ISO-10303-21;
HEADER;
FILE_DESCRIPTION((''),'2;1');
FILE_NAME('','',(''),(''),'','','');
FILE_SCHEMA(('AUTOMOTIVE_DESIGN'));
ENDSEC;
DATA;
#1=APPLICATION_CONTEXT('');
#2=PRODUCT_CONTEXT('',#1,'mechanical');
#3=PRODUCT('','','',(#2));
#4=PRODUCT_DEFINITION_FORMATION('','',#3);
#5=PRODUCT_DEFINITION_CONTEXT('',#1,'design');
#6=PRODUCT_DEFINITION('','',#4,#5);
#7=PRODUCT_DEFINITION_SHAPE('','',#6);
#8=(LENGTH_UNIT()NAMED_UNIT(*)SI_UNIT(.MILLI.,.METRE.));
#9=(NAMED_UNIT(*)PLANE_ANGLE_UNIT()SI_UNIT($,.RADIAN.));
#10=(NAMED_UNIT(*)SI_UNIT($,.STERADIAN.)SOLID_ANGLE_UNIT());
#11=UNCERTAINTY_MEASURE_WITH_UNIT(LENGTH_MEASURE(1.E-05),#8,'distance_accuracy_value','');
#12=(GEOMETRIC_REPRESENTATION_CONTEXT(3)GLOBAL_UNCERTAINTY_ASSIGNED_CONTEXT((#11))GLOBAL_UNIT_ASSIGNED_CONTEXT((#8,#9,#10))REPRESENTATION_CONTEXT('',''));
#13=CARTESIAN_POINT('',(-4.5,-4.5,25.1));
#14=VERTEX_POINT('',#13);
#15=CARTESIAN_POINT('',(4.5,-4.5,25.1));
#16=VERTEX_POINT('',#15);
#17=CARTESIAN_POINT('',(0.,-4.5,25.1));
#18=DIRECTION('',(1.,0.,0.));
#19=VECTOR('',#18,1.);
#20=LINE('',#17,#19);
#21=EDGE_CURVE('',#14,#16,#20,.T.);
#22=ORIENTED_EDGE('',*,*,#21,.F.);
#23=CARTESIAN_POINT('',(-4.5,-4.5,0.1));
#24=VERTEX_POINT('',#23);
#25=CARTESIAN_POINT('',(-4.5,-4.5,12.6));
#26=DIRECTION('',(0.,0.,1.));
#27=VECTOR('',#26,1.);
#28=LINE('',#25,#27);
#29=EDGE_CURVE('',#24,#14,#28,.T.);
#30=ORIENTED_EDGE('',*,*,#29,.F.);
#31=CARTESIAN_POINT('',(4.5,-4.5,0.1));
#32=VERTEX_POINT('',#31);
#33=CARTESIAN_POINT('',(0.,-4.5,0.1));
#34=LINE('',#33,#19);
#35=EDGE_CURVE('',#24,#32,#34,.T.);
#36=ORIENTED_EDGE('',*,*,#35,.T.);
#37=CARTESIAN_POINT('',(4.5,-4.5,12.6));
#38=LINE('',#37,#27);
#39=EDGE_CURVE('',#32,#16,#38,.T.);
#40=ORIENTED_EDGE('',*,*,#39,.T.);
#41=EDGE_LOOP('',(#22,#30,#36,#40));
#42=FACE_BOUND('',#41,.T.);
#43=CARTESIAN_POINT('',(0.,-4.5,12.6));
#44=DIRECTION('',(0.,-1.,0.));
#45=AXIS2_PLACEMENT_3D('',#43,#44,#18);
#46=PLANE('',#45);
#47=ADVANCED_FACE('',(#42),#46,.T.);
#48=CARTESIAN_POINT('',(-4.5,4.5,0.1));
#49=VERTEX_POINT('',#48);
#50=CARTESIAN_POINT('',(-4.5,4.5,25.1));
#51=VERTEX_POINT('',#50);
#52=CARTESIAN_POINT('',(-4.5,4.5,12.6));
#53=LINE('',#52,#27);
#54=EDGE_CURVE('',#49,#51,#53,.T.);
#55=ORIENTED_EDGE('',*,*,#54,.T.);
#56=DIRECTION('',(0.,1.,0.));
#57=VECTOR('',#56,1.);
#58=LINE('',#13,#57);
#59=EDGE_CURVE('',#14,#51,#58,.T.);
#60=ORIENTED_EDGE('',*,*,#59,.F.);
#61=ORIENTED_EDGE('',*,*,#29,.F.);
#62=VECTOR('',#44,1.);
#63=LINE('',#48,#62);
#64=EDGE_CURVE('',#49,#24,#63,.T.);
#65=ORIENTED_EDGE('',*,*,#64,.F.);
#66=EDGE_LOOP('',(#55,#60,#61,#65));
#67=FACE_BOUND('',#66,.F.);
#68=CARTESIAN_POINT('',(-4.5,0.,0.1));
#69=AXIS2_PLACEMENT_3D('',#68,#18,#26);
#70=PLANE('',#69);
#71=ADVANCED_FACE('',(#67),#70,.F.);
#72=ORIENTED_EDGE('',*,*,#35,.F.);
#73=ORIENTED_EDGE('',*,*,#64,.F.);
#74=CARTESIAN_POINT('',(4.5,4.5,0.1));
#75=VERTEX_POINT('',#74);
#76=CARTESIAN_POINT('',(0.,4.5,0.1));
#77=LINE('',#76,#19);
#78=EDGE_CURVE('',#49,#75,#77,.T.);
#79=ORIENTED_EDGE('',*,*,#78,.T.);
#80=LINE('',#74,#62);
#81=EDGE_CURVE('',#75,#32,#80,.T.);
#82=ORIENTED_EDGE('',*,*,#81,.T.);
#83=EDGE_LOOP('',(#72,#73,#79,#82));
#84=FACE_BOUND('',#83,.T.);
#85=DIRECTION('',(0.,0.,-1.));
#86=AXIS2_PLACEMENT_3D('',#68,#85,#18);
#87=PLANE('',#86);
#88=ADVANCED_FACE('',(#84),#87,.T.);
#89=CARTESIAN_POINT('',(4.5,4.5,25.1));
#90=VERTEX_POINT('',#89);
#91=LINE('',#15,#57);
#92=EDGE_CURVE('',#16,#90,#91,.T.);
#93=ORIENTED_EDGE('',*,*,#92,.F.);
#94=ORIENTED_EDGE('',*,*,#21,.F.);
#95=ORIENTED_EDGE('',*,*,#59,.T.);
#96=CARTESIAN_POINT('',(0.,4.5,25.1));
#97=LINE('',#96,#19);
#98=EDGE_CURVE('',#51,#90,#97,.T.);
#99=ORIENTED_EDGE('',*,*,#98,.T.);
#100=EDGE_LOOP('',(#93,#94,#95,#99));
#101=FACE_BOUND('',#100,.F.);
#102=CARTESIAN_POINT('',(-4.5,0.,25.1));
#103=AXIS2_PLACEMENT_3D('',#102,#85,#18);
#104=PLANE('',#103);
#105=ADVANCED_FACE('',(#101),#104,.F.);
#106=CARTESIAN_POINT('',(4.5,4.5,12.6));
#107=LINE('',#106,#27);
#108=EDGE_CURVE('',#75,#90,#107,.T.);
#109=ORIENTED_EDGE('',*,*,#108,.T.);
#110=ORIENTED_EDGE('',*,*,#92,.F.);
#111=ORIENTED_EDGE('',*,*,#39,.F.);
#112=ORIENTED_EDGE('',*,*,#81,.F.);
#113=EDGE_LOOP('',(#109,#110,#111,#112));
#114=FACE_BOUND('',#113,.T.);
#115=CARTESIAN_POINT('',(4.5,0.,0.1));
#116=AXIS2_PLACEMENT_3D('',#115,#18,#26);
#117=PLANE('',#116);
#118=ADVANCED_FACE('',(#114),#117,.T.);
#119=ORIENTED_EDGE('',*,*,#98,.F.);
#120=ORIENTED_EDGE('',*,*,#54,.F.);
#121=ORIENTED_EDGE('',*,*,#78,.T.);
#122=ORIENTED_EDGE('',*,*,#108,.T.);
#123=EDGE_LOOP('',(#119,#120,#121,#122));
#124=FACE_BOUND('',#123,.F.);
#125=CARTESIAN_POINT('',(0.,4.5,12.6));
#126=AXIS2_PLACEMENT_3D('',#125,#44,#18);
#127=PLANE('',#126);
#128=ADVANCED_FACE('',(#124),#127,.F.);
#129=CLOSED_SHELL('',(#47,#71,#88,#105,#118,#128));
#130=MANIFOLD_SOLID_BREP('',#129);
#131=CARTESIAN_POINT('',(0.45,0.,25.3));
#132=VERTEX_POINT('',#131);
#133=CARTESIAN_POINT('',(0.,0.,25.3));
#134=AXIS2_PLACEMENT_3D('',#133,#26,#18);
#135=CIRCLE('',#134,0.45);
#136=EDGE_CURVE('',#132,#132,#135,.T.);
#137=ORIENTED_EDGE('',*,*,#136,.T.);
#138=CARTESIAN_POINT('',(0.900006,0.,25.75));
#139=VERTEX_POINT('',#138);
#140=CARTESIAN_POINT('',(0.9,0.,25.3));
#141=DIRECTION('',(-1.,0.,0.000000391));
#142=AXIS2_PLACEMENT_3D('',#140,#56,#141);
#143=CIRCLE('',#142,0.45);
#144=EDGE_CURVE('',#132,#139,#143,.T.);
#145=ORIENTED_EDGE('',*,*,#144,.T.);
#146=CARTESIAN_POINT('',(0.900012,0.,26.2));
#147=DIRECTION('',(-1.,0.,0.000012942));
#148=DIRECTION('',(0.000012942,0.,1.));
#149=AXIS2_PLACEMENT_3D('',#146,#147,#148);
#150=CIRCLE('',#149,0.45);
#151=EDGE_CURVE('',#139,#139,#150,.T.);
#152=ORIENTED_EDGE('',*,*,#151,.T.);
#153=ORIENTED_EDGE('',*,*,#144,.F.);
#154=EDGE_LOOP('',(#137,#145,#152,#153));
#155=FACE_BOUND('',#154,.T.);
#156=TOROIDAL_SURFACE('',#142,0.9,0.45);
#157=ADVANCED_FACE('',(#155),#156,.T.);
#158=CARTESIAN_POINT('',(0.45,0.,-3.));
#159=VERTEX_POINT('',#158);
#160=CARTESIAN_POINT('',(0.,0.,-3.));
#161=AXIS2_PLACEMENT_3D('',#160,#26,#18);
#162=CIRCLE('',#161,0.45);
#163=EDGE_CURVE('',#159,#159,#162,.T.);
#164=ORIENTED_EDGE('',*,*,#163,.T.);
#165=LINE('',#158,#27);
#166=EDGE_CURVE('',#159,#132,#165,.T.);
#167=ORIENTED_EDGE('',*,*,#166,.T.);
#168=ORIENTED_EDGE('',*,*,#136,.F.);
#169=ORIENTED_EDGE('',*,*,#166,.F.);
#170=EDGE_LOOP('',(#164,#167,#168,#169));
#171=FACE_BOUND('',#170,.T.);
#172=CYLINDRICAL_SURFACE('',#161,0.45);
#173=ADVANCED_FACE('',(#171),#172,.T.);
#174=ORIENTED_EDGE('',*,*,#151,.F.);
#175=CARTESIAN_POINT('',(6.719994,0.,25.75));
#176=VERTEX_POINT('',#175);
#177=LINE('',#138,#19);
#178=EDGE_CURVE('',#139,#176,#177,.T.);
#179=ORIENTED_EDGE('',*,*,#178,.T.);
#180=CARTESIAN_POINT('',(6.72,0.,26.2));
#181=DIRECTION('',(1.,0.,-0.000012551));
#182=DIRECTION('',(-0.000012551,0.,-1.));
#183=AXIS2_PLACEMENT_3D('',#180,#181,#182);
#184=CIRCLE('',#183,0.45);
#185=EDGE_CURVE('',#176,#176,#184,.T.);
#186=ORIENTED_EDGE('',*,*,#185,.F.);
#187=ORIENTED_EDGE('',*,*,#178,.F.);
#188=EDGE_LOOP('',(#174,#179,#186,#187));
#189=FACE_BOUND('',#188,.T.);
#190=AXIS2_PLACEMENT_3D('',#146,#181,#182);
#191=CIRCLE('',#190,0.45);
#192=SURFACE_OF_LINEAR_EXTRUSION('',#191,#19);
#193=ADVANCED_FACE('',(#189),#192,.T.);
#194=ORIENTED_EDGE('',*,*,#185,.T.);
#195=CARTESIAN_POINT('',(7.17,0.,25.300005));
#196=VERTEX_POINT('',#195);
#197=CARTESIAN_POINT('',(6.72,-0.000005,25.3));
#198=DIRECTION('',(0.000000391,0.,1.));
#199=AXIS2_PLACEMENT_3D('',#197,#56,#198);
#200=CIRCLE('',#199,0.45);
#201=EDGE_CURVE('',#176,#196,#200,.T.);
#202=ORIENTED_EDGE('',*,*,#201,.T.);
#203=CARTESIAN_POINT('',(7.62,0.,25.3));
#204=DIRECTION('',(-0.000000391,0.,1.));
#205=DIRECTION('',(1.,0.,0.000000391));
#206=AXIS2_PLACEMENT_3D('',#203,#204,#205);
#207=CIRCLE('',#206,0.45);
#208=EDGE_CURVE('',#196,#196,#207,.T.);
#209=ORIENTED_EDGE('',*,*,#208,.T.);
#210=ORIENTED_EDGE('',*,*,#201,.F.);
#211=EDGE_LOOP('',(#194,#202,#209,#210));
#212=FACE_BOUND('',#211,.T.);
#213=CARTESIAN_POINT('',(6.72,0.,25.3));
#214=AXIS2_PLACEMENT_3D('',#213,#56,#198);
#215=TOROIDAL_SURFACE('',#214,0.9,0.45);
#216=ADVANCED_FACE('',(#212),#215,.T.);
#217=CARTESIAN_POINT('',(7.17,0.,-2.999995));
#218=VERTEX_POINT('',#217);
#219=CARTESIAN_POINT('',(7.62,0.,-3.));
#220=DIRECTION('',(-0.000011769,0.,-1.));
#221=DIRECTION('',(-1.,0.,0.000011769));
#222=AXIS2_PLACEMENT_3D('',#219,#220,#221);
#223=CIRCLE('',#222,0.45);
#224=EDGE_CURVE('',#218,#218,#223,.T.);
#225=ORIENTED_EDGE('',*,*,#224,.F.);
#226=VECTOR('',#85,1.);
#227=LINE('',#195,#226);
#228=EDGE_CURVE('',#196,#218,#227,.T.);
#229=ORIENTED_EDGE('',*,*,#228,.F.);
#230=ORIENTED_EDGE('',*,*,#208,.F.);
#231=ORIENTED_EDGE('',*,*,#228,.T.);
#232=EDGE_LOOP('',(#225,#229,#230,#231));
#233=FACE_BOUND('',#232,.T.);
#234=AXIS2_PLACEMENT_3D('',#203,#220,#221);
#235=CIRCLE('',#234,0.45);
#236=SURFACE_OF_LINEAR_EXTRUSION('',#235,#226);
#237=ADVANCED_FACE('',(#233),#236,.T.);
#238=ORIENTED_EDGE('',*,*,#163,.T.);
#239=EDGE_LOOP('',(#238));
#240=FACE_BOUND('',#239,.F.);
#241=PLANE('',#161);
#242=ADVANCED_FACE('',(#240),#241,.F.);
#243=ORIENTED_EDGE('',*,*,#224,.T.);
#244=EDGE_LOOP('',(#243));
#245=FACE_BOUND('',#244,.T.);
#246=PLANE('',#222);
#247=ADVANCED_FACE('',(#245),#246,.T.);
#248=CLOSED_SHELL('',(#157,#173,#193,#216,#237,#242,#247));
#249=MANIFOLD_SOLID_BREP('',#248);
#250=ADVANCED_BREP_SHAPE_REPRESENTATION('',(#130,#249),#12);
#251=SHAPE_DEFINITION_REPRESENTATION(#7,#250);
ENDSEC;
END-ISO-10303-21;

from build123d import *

# Parameters (mm, degrees)
SKETCH_R    = 0.45
SKETCH002_W = 9
SKETCH002_H = 25
PAD_DEPTH   = 4.5


with BuildPart() as sweep_body:
    # Sweep: sweep along a path in Sketch001
    with BuildLine(Plane.XZ) as sweep_path:
        Line((0, -3), (0, 25.3))
        ThreePointArc((0, 25.3), (0.263608, 25.9364), (0.900012, 26.2))
        Line((0.900012, 26.2), (6.72, 26.2))
        ThreePointArc((6.72, 26.2), (7.356396, 25.936396), (7.62, 25.3))
        Line((7.62, 25.3), (7.62, -3))
    # Sketch → Sweep (sweep)
    with BuildSketch(Plane.XY.offset(-2)):
        Circle(SKETCH_R)
    sweep(path=sweep_path.line)


with BuildPart() as pad:
    # Sketch002 → Pad (new body, symmetric)
    with BuildSketch(Plane.XZ):
        with Locations((0, 12.6)):
            Rectangle(SKETCH002_W, SKETCH002_H)
    extrude(amount=PAD_DEPTH, both=True)


solid = Compound([sweep_body.part, pad.part])
